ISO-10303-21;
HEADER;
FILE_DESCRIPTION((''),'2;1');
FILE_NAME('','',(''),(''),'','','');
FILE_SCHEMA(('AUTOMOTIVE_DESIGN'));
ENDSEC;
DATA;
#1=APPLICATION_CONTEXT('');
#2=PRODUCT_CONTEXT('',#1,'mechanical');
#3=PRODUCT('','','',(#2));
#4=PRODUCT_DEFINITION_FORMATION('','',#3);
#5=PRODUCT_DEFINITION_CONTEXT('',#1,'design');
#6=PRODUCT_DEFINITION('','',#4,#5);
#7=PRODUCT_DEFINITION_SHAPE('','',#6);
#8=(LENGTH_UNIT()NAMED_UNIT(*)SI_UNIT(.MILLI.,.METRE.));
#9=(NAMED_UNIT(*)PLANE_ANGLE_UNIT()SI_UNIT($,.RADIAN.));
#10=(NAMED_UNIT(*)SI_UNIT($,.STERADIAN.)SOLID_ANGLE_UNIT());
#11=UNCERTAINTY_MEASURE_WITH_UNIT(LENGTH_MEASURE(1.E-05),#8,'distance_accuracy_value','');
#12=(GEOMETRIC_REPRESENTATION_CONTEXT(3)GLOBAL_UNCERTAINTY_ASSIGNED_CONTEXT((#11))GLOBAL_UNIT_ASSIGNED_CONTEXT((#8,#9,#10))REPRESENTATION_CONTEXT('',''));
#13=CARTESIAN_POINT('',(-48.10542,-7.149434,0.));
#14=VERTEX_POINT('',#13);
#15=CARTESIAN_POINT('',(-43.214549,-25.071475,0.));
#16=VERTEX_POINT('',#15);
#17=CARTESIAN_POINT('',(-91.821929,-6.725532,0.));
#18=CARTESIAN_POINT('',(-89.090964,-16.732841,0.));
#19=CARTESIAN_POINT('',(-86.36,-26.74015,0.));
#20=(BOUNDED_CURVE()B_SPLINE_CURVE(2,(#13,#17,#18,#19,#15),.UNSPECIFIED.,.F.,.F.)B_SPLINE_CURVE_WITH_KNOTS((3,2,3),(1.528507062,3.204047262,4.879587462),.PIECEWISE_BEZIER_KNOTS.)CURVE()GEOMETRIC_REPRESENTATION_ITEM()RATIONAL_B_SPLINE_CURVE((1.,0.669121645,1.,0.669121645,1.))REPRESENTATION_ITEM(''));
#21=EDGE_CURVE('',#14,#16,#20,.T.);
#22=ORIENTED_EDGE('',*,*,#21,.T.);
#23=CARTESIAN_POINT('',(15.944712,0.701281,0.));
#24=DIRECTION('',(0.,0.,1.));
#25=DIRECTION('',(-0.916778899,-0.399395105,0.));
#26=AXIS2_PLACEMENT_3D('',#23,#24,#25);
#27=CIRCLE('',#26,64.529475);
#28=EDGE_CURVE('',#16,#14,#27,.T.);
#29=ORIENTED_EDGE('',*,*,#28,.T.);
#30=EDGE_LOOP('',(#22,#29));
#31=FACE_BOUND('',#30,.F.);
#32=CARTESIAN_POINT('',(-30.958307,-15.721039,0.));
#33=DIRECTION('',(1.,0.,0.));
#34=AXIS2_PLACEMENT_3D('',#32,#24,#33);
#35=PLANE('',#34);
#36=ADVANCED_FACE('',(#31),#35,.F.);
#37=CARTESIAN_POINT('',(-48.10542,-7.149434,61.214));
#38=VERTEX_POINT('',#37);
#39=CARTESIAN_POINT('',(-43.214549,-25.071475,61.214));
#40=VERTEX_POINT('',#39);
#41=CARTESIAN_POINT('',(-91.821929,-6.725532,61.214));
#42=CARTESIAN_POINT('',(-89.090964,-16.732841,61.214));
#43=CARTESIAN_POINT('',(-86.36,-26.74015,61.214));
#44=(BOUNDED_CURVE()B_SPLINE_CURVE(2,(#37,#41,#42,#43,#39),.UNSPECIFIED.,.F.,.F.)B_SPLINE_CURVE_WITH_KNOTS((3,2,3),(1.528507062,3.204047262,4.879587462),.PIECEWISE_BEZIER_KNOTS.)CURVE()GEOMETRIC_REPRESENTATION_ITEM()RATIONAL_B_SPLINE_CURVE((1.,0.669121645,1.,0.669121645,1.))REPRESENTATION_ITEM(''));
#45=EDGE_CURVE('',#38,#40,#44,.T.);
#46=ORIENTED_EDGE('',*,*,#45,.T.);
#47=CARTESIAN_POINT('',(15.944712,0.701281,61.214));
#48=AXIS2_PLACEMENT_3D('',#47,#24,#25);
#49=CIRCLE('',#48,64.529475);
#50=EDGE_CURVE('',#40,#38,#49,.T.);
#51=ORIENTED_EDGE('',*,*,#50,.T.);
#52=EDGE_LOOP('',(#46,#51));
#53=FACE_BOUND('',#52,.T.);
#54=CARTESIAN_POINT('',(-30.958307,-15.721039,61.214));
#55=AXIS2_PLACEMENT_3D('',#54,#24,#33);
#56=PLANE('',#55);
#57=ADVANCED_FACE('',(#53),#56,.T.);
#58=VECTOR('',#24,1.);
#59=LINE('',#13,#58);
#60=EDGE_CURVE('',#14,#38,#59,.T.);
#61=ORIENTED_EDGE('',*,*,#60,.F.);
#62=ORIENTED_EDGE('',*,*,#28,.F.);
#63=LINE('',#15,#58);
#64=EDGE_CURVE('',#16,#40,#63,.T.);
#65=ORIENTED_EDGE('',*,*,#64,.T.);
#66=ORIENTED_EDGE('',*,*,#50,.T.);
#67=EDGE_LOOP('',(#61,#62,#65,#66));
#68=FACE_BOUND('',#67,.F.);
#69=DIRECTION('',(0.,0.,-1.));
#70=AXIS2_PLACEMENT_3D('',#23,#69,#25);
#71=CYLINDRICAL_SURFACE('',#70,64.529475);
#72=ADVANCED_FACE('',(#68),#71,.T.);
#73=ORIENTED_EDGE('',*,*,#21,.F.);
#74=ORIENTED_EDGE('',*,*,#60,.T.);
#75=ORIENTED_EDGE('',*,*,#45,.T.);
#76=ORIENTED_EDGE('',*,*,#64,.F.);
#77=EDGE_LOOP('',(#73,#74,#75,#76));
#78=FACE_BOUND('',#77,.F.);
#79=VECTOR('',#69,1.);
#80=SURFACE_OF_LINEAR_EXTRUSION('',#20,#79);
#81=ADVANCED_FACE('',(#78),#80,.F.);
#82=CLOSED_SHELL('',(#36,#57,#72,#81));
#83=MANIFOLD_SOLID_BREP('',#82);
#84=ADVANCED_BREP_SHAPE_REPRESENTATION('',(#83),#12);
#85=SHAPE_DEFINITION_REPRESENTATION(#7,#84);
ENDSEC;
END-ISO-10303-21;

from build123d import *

# Parameters (mm, degrees)
F1_DEPTH = 61.214


with BuildPart() as f1:
    # F0 (on Top) → F1 (new body)
    with BuildSketch(Plane.XY):
        with BuildLine():
            add(Edge.make_bspline(
                [(-43.2145491737, -25.0714750646), (-10.3741949424, -23.8013553833), (-10.3741949424, -16.1693673581)],
                knots=[4.8795874619, 4.8795874619, 4.8795874619, 6.2831853072, 6.2831853072, 6.2831853072], degree=2, weights=[1, 0.7636820526, 1]))
            add(Edge.make_bspline(
                [(-10.3741949424, -16.1693673581), (-10.3741949424, -7.515299567), (-48.1054200736, -7.1494344776)],
                knots=[0, 0, 0, 1.5285070621, 1.5285070621, 1.5285070621], degree=2, weights=[1, 0.7218991138, 1]))
            ThreePointArc((-48.1054200736, -7.1494344776), (-46.3083082577, -16.2873803383), (-43.2145491737, -25.0714750646))
        make_face()
        with BuildLine():
            add(Edge.make_bspline(
                [(-10.3741949424, -16.1693673581), (-10.3741949424, -7.515299567), (-48.1054200736, -7.1494344776)],
                knots=[0, 0, 0, 1.5285070621, 1.5285070621, 1.5285070621], degree=2, weights=[1, 0.7218991138, 1]))
            add(Edge.make_bspline(
                [(-43.2145491737, -25.0714750646), (-10.3741949424, -23.8013553833), (-10.3741949424, -16.1693673581)],
                knots=[4.8795874619, 4.8795874619, 4.8795874619, 6.2831853072, 6.2831853072, 6.2831853072], degree=2, weights=[1, 0.7636820526, 1]))
            ThreePointArc((-43.2145491737, -25.0714750646), (29.1078625988, -62.4713755356), (80.4741864559, 0.7012813123))
            ThreePointArc((80.4741864559, 0.7012813123), (12.0120437464, 65.1108088562), (-48.1054200736, -7.1494344776))
        make_face()
        with BuildLine():
            ThreePointArc((-43.2145491737, -25.0714750646), (-46.3083082577, -16.2873803383), (-48.1054200736, -7.1494344776))
            add(Edge.make_bspline(
                [(-48.1054200736, -7.1494344776), (-91.8219289727, -6.7255324077), (-89.0909644987, -16.7328413608), (-86.3600000247, -26.740150314), (-43.2145491737, -25.0714750646)],
                knots=[1.5285070621, 1.5285070621, 1.5285070621, 3.204047262, 3.204047262, 4.8795874619, 4.8795874619, 4.8795874619], degree=2, weights=[1, 0.6691216447, 1, 0.6691216447, 1]))
        make_face()
    extrude(amount=F1_DEPTH)


solid = f1.part
